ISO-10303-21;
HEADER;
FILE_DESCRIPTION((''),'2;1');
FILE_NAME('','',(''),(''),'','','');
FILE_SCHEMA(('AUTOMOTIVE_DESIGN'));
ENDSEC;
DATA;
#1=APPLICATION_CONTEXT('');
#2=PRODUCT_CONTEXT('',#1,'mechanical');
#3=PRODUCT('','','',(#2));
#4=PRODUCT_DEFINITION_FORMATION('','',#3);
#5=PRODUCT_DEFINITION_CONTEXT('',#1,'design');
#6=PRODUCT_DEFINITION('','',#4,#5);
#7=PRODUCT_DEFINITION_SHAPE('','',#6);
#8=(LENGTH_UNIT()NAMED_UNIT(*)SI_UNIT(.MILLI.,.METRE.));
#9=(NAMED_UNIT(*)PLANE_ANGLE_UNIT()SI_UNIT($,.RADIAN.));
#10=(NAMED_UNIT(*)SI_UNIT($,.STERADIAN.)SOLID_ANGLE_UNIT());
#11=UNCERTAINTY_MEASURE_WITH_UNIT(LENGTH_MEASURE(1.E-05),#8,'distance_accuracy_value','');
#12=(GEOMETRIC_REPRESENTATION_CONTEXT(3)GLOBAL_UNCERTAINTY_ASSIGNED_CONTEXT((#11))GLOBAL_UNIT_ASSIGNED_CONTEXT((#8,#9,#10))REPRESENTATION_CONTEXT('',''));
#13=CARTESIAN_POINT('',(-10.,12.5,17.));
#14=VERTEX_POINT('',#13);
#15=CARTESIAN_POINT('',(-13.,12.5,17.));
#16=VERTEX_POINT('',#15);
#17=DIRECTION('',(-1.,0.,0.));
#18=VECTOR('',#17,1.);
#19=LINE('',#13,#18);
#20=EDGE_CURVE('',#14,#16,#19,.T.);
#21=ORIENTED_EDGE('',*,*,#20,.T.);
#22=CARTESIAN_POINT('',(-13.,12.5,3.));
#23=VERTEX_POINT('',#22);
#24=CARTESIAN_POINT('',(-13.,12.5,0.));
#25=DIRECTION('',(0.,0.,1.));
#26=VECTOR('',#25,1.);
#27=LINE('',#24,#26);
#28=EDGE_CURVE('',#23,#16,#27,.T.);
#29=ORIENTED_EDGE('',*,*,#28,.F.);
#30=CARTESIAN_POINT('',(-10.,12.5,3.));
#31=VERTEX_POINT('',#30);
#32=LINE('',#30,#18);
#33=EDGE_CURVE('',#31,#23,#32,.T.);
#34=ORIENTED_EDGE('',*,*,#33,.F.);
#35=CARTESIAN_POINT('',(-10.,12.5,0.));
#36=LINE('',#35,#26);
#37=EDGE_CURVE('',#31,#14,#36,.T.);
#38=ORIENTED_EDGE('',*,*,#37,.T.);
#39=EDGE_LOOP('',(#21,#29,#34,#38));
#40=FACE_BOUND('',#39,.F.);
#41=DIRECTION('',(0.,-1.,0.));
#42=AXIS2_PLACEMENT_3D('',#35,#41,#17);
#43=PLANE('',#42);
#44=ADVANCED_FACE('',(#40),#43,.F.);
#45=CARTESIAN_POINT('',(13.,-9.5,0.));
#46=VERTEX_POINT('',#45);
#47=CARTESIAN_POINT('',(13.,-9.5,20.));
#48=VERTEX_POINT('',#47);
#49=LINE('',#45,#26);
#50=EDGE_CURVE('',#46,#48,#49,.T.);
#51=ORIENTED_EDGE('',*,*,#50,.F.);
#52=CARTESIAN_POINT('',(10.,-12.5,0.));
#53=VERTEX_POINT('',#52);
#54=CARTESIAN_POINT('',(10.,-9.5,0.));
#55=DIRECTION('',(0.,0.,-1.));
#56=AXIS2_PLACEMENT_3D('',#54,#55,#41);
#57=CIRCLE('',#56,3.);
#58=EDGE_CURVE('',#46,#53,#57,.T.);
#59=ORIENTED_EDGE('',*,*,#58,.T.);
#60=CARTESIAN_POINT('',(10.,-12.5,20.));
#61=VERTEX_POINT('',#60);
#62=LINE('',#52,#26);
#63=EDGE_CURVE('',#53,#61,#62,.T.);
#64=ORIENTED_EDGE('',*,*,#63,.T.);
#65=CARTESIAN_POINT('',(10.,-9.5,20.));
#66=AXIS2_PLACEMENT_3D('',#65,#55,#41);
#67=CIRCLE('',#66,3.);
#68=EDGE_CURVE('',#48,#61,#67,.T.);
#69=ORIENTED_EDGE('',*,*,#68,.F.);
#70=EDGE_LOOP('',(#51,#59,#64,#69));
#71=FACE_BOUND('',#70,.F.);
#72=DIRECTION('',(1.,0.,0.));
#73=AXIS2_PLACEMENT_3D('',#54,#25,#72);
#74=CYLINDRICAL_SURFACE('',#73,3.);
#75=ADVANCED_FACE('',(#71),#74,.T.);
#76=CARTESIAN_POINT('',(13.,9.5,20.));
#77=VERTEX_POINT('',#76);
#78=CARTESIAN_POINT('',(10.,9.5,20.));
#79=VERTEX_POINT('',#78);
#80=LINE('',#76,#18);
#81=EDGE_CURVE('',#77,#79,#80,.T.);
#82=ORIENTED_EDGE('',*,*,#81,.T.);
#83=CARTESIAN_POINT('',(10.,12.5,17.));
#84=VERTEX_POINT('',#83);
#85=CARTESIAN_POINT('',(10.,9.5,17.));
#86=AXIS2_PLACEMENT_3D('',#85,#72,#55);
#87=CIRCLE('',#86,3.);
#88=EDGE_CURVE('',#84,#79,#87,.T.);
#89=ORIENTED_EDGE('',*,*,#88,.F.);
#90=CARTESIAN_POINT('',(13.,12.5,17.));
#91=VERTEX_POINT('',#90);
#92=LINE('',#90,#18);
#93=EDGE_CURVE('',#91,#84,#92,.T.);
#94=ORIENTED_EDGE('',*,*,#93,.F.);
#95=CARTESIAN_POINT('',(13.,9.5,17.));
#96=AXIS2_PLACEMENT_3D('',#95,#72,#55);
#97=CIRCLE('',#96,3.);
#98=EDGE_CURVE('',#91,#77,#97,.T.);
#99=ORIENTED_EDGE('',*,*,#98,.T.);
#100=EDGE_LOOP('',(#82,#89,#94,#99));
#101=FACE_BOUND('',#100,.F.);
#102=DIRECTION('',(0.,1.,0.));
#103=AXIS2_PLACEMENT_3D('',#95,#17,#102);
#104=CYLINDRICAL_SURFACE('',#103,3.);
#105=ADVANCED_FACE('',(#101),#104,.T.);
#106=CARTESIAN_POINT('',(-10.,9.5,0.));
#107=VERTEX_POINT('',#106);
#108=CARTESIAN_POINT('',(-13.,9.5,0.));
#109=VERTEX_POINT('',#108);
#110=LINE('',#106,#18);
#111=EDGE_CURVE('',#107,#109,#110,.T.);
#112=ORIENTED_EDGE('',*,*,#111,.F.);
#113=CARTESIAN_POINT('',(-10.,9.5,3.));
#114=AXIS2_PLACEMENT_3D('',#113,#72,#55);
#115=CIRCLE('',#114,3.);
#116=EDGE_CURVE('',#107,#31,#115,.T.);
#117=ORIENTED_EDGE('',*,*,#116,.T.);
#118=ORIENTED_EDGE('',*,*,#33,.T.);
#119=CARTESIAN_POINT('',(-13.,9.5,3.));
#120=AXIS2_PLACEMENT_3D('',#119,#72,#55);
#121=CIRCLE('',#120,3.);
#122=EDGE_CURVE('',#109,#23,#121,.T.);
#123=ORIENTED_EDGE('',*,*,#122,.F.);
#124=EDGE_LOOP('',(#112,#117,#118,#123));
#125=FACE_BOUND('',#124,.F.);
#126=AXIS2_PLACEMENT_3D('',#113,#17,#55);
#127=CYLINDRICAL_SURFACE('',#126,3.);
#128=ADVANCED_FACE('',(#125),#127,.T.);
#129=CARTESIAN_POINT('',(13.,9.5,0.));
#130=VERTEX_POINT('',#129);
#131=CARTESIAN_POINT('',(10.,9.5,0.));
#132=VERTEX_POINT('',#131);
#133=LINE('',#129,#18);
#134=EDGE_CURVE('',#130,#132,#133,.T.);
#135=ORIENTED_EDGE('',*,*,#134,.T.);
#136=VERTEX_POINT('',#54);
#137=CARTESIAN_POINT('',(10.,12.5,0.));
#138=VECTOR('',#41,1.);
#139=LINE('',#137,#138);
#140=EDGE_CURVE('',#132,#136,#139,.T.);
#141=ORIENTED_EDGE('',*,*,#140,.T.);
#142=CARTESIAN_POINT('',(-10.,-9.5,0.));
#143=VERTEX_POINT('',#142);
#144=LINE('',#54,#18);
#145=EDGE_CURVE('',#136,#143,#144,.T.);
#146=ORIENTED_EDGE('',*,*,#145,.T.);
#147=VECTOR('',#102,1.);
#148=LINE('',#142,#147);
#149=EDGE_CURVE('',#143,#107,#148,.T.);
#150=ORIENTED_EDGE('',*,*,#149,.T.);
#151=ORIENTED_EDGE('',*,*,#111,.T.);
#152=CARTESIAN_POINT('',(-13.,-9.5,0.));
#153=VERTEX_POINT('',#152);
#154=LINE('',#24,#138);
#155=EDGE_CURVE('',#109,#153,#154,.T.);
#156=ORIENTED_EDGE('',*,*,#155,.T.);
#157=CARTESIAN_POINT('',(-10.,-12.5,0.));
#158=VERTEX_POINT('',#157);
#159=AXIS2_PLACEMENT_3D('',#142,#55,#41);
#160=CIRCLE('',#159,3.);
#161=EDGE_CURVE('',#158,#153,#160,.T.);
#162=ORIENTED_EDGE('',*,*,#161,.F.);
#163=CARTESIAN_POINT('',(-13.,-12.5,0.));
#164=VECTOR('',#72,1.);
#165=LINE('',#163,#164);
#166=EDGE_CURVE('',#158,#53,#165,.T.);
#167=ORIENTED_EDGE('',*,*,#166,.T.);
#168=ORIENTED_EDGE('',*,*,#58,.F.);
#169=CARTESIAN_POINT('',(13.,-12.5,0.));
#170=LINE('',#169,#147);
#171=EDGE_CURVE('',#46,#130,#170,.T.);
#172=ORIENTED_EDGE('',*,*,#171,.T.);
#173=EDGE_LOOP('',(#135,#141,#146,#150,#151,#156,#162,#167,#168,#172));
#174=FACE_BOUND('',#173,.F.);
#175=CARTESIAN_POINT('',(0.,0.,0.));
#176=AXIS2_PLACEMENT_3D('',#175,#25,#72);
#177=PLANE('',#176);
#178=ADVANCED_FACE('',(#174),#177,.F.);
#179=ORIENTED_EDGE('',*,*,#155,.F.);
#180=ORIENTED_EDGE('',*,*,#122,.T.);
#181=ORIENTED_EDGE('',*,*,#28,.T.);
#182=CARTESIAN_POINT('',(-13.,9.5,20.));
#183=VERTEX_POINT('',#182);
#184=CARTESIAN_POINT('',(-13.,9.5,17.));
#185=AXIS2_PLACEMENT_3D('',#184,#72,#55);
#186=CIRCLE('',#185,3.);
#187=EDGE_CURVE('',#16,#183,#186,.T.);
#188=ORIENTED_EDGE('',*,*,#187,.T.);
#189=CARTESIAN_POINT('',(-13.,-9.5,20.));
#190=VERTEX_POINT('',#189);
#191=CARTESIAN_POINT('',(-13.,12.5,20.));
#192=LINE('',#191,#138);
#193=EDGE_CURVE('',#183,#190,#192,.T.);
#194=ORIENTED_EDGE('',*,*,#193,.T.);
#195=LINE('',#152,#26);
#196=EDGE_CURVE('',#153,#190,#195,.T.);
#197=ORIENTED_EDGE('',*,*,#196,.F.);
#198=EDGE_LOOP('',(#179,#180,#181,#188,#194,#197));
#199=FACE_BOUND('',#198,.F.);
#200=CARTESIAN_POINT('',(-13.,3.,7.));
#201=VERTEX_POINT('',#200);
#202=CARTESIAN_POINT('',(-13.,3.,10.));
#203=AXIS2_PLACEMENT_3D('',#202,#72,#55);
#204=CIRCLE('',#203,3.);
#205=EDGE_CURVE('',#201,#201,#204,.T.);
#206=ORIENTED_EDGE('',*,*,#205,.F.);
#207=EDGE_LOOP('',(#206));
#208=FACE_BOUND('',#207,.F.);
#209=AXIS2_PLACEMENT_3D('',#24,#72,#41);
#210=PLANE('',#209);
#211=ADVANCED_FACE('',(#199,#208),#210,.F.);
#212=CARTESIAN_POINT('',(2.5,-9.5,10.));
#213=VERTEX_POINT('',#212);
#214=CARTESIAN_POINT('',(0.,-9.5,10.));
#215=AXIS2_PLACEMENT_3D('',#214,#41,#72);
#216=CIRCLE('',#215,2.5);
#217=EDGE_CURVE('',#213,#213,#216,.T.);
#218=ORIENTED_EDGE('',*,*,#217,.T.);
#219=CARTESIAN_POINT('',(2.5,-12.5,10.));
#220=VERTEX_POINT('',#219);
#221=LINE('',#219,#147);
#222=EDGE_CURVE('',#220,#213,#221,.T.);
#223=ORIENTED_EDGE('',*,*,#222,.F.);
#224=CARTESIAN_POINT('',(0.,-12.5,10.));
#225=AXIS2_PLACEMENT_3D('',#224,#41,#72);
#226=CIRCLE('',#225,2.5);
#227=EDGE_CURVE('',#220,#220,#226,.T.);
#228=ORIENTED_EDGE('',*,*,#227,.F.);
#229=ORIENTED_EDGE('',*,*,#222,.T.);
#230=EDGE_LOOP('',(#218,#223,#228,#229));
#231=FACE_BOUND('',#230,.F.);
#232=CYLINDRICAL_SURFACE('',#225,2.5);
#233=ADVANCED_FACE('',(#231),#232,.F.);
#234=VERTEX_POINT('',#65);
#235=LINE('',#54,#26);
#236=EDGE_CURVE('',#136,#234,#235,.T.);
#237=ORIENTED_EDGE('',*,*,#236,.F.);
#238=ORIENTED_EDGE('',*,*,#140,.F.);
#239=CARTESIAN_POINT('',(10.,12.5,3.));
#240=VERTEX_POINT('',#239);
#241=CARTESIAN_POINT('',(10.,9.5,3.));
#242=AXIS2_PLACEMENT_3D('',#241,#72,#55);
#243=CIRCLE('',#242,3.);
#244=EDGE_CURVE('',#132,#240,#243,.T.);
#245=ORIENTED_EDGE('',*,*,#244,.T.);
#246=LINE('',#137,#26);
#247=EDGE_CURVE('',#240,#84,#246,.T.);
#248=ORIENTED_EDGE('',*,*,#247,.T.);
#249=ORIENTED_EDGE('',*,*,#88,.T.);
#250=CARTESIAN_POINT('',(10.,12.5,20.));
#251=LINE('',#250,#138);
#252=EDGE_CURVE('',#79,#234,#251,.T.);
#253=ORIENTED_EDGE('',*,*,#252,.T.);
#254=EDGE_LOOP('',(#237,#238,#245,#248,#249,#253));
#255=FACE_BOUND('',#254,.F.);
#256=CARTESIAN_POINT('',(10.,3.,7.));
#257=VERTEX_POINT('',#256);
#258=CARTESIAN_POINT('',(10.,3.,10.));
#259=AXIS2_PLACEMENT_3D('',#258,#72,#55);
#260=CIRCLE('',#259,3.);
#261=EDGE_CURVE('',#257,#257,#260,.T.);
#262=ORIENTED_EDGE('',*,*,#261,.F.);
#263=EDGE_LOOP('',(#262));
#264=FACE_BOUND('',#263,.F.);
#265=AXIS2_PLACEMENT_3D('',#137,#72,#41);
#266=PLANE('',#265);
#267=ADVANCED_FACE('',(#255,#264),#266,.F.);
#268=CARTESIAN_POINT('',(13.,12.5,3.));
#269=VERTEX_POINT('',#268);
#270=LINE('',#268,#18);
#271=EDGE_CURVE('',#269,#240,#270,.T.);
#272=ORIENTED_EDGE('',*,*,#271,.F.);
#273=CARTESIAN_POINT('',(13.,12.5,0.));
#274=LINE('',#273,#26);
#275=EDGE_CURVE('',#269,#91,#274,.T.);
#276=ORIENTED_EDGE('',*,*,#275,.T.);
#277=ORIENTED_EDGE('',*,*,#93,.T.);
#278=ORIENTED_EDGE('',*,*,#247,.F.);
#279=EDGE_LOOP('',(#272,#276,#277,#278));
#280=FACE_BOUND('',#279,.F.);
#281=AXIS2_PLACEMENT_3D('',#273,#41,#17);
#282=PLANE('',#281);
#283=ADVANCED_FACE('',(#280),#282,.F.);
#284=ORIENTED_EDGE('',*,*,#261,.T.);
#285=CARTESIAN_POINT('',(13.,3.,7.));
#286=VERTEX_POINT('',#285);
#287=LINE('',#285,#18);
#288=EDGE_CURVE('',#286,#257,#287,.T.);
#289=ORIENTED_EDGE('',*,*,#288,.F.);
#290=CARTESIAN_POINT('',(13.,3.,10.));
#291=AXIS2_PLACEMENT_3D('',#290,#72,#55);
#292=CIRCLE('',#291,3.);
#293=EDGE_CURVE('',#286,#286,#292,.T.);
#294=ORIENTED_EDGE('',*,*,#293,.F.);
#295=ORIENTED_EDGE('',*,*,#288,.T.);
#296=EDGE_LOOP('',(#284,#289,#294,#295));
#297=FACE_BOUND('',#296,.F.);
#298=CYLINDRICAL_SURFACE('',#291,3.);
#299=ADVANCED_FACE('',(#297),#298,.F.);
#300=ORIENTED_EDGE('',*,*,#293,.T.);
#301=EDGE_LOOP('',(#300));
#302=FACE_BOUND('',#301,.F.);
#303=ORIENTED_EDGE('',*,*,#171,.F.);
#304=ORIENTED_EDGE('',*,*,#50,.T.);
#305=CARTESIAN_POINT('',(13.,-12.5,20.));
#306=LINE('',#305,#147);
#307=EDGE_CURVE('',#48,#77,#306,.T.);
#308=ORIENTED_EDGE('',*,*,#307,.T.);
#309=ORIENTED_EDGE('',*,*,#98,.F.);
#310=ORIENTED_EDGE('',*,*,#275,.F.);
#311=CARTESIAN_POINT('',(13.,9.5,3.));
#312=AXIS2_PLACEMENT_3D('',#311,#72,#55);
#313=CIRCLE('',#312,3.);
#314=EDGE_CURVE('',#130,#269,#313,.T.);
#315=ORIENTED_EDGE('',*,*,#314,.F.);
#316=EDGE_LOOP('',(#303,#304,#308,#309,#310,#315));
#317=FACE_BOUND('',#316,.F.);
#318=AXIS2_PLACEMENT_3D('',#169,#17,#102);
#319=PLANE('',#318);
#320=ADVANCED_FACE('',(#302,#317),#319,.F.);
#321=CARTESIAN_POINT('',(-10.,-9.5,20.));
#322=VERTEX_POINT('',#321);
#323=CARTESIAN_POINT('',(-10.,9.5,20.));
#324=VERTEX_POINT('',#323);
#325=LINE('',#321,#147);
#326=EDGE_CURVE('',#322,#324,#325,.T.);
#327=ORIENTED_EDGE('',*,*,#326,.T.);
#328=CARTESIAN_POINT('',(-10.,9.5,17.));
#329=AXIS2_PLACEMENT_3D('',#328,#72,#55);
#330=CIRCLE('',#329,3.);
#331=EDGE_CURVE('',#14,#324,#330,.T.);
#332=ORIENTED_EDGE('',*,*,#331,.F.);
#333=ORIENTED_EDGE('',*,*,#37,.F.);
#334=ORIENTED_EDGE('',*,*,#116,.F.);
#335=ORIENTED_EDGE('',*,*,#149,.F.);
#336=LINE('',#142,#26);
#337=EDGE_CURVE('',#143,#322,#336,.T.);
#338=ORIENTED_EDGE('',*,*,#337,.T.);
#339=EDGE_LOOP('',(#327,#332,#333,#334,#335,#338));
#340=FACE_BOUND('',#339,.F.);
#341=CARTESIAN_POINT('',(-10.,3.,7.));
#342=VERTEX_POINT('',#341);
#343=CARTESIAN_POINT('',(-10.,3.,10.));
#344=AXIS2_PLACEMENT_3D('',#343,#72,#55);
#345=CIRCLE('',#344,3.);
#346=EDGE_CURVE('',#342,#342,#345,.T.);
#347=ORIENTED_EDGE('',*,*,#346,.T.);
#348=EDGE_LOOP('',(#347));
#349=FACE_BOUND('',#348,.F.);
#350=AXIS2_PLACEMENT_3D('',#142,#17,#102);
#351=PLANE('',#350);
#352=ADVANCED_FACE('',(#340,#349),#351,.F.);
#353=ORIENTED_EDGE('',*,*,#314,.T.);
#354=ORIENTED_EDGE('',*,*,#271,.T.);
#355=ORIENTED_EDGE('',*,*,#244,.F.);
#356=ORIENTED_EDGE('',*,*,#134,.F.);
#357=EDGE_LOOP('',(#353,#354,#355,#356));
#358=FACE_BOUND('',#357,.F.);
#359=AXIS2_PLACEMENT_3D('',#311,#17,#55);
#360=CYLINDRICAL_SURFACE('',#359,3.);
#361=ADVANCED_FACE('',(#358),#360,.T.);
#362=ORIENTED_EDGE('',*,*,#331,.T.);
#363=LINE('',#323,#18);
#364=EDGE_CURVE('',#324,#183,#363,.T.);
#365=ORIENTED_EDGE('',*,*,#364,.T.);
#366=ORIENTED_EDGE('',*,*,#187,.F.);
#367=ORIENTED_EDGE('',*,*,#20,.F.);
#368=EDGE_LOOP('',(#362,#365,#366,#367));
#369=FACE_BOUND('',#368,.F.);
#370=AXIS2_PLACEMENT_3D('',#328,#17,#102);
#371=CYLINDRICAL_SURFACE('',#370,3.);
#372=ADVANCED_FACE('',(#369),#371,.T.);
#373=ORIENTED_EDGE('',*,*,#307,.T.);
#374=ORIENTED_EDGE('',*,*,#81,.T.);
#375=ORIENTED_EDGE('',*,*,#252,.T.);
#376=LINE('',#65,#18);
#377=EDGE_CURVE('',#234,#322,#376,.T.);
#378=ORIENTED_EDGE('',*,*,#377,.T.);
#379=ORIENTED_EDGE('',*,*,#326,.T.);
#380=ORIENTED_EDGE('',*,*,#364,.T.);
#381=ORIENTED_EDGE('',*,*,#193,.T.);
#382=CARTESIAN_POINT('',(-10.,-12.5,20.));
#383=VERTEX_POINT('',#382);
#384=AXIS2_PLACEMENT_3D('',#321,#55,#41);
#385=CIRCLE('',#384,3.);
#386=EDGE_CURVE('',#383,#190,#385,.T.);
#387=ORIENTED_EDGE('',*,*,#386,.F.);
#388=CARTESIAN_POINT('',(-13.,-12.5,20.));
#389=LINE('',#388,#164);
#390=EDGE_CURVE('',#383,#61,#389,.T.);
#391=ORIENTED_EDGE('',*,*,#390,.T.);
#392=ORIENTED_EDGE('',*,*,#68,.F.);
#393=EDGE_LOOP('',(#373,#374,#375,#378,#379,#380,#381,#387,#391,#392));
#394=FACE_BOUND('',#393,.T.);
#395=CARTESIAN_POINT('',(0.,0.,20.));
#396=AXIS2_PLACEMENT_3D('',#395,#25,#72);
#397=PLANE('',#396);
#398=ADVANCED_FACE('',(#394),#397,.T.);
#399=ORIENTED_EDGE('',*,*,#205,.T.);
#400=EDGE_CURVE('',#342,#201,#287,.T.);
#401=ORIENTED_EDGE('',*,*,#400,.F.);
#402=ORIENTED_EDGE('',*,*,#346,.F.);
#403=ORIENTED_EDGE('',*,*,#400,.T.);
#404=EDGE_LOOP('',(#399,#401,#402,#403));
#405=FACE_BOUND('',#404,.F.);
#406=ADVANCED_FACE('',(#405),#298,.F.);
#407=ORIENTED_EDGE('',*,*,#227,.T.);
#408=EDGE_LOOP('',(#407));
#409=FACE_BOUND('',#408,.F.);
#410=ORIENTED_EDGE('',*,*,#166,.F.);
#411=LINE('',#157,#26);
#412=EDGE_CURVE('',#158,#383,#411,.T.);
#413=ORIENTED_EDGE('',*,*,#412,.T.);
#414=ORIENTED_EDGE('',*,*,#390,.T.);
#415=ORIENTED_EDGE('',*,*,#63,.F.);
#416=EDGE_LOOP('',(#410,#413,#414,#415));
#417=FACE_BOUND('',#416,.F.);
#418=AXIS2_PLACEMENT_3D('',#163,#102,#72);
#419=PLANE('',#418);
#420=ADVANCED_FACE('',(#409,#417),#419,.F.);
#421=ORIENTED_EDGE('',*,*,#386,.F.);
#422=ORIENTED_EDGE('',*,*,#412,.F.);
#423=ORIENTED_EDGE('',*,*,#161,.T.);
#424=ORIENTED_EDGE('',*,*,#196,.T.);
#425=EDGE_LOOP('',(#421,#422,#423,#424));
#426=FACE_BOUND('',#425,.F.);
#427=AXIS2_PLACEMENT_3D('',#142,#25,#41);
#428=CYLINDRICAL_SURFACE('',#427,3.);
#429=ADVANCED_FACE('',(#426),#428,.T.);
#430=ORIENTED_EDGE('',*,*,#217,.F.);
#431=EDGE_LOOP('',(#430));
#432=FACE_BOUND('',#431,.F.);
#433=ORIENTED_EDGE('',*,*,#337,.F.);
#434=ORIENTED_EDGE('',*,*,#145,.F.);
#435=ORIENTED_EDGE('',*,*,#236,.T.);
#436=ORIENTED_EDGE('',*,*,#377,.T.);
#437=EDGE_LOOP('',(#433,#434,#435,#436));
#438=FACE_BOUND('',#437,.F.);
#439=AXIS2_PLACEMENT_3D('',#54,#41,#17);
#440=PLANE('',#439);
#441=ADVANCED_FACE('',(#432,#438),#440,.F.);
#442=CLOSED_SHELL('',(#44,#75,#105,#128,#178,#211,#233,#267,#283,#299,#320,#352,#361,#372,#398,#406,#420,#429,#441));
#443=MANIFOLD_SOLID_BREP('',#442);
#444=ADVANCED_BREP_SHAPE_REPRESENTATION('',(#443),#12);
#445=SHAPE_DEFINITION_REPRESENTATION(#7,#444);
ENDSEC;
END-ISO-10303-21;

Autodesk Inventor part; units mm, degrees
ref_plane "YZ Plane" through (0, 0, 0) normal (1, 0, 0) x (0, 1, 0)
ref_plane "XZ Plane" through (0, 0, 0) normal (0, 1, 0) x (-1, 0, 0)
ref_plane "XY Plane" through (0, 0, 0) normal (0, 0, 1) x (1, 0, 0)
sketch "Sketch1" plane through (0, 0, 0) normal (0, 0, 1) x (1, 0, 0)
  line L0 (-13, -12.5) -> (13, -12.5) construction
  line L1 (13, -12.5) -> (13, 12.5) construction
  line L2 (13, 12.5) -> (-13, 12.5) construction
  line L3 (-13, 12.5) -> (-13, -12.5) construction
  line L4 (-13, -12.5) -> (13, 12.5) construction
  line L5 (13, -12.5) -> (-13, 12.5) construction
  line L6 (-10, 12.5) -> (10, 12.5) construction
  line L7 (10, 12.5) -> (10, -9.5) construction
  line L8 (10, -9.5) -> (-10, -9.5) construction
  line L9 (-10, -9.5) -> (-10, 12.5) construction
  line L10 (-10, 12.5) -> (-13, 12.5)
  line L11 (-13, 12.5) -> (-13, -12.5)
  line L12 (-13, -12.5) -> (13, -12.5)
  line L13 (13, -12.5) -> (13, 12.5)
  line L14 (13, 12.5) -> (10, 12.5)
  line L15 (10, 12.5) -> (10, -9.5)
  line L16 (10, -9.5) -> (-10, -9.5)
  line L17 (-10, -9.5) -> (-10, 12.5)
  point P0 (0, 0)
  dimension "d0" = 26
  dimension "d1" = 25
  dimension "d2" = 3
  dimension "d3" = 3
  dimension "d4" = 3
extrude "Extrusion1" add sketch "Sketch1" along normal blind 20
sketch "Sketch2" plane through (13, -12.5, 0) normal (1, 0, 0) x (0, 0, -1)
  line L0 (-20, 25) -> (-20, 0) construction
  line L1 (0, 0) -> (0, 25) construction
  line L2 (-20, 25) -> (0, 25) construction
  line L3 (0, 25) -> (0, 5) construction
  line L4 (0, 5) -> (-20, 5) construction
  line L5 (-20, 5) -> (-20, 25) construction
  line L6 (-20, 25) -> (0, 5) construction
  line L7 (-20, 5) -> (0, 25) construction
  line L8 (0, 25) -> (-20, 25) construction
  line L9 (-10, 25) -> (-10, 5) construction
  circle A0 centre (-10, 15.5) radius 3
  line L10 (0, 25) -> (0, 0) projected
  line L11 (-20, 0) -> (0, 0) construction
  line L12 (0, 0) -> (0, 3) construction
  line L13 (0, 3) -> (-20, 3) construction
  line L14 (-20, 3) -> (-20, 0) construction
  point P0 (0, 12.5)
  dimension "d7" = 20
  dimension "d17" = 6
  dimension "d20" = 3
  dimension "d21" = 12.5
extrude "Extrusion2" cut sketch "Sketch2" against normal blind 39
sketch "Sketch3" plane through (-13, -12.5, 0) normal (0, -1, 0) x (1, 0, 0)
  line L0 (0, 20) -> (26, 0) construction
  line L1 (0, 0) -> (26, 20) construction
  circle A0 centre (13, 10) radius 2.5
  point P0 (13, 0)
  dimension "d11" = 5
extrude "Extrusion3" cut sketch "Sketch3" against normal blind 39
fillet "Fillet2" radius 3 2 edges at (13, -12.5, 10) (-13, -12.5, 10)
fillet "Fillet3" radius 3 4 edges at (-11.5, 12.5, 20) (-11.5, 12.5, 0) (11.5, 12.5, 20) (11.5, 12.5, 0)
equation "\"d3\" = d2"
equation "\"d4\" = d3"
properties part number "linear_actuator_connector" material "Iron, Cast"
